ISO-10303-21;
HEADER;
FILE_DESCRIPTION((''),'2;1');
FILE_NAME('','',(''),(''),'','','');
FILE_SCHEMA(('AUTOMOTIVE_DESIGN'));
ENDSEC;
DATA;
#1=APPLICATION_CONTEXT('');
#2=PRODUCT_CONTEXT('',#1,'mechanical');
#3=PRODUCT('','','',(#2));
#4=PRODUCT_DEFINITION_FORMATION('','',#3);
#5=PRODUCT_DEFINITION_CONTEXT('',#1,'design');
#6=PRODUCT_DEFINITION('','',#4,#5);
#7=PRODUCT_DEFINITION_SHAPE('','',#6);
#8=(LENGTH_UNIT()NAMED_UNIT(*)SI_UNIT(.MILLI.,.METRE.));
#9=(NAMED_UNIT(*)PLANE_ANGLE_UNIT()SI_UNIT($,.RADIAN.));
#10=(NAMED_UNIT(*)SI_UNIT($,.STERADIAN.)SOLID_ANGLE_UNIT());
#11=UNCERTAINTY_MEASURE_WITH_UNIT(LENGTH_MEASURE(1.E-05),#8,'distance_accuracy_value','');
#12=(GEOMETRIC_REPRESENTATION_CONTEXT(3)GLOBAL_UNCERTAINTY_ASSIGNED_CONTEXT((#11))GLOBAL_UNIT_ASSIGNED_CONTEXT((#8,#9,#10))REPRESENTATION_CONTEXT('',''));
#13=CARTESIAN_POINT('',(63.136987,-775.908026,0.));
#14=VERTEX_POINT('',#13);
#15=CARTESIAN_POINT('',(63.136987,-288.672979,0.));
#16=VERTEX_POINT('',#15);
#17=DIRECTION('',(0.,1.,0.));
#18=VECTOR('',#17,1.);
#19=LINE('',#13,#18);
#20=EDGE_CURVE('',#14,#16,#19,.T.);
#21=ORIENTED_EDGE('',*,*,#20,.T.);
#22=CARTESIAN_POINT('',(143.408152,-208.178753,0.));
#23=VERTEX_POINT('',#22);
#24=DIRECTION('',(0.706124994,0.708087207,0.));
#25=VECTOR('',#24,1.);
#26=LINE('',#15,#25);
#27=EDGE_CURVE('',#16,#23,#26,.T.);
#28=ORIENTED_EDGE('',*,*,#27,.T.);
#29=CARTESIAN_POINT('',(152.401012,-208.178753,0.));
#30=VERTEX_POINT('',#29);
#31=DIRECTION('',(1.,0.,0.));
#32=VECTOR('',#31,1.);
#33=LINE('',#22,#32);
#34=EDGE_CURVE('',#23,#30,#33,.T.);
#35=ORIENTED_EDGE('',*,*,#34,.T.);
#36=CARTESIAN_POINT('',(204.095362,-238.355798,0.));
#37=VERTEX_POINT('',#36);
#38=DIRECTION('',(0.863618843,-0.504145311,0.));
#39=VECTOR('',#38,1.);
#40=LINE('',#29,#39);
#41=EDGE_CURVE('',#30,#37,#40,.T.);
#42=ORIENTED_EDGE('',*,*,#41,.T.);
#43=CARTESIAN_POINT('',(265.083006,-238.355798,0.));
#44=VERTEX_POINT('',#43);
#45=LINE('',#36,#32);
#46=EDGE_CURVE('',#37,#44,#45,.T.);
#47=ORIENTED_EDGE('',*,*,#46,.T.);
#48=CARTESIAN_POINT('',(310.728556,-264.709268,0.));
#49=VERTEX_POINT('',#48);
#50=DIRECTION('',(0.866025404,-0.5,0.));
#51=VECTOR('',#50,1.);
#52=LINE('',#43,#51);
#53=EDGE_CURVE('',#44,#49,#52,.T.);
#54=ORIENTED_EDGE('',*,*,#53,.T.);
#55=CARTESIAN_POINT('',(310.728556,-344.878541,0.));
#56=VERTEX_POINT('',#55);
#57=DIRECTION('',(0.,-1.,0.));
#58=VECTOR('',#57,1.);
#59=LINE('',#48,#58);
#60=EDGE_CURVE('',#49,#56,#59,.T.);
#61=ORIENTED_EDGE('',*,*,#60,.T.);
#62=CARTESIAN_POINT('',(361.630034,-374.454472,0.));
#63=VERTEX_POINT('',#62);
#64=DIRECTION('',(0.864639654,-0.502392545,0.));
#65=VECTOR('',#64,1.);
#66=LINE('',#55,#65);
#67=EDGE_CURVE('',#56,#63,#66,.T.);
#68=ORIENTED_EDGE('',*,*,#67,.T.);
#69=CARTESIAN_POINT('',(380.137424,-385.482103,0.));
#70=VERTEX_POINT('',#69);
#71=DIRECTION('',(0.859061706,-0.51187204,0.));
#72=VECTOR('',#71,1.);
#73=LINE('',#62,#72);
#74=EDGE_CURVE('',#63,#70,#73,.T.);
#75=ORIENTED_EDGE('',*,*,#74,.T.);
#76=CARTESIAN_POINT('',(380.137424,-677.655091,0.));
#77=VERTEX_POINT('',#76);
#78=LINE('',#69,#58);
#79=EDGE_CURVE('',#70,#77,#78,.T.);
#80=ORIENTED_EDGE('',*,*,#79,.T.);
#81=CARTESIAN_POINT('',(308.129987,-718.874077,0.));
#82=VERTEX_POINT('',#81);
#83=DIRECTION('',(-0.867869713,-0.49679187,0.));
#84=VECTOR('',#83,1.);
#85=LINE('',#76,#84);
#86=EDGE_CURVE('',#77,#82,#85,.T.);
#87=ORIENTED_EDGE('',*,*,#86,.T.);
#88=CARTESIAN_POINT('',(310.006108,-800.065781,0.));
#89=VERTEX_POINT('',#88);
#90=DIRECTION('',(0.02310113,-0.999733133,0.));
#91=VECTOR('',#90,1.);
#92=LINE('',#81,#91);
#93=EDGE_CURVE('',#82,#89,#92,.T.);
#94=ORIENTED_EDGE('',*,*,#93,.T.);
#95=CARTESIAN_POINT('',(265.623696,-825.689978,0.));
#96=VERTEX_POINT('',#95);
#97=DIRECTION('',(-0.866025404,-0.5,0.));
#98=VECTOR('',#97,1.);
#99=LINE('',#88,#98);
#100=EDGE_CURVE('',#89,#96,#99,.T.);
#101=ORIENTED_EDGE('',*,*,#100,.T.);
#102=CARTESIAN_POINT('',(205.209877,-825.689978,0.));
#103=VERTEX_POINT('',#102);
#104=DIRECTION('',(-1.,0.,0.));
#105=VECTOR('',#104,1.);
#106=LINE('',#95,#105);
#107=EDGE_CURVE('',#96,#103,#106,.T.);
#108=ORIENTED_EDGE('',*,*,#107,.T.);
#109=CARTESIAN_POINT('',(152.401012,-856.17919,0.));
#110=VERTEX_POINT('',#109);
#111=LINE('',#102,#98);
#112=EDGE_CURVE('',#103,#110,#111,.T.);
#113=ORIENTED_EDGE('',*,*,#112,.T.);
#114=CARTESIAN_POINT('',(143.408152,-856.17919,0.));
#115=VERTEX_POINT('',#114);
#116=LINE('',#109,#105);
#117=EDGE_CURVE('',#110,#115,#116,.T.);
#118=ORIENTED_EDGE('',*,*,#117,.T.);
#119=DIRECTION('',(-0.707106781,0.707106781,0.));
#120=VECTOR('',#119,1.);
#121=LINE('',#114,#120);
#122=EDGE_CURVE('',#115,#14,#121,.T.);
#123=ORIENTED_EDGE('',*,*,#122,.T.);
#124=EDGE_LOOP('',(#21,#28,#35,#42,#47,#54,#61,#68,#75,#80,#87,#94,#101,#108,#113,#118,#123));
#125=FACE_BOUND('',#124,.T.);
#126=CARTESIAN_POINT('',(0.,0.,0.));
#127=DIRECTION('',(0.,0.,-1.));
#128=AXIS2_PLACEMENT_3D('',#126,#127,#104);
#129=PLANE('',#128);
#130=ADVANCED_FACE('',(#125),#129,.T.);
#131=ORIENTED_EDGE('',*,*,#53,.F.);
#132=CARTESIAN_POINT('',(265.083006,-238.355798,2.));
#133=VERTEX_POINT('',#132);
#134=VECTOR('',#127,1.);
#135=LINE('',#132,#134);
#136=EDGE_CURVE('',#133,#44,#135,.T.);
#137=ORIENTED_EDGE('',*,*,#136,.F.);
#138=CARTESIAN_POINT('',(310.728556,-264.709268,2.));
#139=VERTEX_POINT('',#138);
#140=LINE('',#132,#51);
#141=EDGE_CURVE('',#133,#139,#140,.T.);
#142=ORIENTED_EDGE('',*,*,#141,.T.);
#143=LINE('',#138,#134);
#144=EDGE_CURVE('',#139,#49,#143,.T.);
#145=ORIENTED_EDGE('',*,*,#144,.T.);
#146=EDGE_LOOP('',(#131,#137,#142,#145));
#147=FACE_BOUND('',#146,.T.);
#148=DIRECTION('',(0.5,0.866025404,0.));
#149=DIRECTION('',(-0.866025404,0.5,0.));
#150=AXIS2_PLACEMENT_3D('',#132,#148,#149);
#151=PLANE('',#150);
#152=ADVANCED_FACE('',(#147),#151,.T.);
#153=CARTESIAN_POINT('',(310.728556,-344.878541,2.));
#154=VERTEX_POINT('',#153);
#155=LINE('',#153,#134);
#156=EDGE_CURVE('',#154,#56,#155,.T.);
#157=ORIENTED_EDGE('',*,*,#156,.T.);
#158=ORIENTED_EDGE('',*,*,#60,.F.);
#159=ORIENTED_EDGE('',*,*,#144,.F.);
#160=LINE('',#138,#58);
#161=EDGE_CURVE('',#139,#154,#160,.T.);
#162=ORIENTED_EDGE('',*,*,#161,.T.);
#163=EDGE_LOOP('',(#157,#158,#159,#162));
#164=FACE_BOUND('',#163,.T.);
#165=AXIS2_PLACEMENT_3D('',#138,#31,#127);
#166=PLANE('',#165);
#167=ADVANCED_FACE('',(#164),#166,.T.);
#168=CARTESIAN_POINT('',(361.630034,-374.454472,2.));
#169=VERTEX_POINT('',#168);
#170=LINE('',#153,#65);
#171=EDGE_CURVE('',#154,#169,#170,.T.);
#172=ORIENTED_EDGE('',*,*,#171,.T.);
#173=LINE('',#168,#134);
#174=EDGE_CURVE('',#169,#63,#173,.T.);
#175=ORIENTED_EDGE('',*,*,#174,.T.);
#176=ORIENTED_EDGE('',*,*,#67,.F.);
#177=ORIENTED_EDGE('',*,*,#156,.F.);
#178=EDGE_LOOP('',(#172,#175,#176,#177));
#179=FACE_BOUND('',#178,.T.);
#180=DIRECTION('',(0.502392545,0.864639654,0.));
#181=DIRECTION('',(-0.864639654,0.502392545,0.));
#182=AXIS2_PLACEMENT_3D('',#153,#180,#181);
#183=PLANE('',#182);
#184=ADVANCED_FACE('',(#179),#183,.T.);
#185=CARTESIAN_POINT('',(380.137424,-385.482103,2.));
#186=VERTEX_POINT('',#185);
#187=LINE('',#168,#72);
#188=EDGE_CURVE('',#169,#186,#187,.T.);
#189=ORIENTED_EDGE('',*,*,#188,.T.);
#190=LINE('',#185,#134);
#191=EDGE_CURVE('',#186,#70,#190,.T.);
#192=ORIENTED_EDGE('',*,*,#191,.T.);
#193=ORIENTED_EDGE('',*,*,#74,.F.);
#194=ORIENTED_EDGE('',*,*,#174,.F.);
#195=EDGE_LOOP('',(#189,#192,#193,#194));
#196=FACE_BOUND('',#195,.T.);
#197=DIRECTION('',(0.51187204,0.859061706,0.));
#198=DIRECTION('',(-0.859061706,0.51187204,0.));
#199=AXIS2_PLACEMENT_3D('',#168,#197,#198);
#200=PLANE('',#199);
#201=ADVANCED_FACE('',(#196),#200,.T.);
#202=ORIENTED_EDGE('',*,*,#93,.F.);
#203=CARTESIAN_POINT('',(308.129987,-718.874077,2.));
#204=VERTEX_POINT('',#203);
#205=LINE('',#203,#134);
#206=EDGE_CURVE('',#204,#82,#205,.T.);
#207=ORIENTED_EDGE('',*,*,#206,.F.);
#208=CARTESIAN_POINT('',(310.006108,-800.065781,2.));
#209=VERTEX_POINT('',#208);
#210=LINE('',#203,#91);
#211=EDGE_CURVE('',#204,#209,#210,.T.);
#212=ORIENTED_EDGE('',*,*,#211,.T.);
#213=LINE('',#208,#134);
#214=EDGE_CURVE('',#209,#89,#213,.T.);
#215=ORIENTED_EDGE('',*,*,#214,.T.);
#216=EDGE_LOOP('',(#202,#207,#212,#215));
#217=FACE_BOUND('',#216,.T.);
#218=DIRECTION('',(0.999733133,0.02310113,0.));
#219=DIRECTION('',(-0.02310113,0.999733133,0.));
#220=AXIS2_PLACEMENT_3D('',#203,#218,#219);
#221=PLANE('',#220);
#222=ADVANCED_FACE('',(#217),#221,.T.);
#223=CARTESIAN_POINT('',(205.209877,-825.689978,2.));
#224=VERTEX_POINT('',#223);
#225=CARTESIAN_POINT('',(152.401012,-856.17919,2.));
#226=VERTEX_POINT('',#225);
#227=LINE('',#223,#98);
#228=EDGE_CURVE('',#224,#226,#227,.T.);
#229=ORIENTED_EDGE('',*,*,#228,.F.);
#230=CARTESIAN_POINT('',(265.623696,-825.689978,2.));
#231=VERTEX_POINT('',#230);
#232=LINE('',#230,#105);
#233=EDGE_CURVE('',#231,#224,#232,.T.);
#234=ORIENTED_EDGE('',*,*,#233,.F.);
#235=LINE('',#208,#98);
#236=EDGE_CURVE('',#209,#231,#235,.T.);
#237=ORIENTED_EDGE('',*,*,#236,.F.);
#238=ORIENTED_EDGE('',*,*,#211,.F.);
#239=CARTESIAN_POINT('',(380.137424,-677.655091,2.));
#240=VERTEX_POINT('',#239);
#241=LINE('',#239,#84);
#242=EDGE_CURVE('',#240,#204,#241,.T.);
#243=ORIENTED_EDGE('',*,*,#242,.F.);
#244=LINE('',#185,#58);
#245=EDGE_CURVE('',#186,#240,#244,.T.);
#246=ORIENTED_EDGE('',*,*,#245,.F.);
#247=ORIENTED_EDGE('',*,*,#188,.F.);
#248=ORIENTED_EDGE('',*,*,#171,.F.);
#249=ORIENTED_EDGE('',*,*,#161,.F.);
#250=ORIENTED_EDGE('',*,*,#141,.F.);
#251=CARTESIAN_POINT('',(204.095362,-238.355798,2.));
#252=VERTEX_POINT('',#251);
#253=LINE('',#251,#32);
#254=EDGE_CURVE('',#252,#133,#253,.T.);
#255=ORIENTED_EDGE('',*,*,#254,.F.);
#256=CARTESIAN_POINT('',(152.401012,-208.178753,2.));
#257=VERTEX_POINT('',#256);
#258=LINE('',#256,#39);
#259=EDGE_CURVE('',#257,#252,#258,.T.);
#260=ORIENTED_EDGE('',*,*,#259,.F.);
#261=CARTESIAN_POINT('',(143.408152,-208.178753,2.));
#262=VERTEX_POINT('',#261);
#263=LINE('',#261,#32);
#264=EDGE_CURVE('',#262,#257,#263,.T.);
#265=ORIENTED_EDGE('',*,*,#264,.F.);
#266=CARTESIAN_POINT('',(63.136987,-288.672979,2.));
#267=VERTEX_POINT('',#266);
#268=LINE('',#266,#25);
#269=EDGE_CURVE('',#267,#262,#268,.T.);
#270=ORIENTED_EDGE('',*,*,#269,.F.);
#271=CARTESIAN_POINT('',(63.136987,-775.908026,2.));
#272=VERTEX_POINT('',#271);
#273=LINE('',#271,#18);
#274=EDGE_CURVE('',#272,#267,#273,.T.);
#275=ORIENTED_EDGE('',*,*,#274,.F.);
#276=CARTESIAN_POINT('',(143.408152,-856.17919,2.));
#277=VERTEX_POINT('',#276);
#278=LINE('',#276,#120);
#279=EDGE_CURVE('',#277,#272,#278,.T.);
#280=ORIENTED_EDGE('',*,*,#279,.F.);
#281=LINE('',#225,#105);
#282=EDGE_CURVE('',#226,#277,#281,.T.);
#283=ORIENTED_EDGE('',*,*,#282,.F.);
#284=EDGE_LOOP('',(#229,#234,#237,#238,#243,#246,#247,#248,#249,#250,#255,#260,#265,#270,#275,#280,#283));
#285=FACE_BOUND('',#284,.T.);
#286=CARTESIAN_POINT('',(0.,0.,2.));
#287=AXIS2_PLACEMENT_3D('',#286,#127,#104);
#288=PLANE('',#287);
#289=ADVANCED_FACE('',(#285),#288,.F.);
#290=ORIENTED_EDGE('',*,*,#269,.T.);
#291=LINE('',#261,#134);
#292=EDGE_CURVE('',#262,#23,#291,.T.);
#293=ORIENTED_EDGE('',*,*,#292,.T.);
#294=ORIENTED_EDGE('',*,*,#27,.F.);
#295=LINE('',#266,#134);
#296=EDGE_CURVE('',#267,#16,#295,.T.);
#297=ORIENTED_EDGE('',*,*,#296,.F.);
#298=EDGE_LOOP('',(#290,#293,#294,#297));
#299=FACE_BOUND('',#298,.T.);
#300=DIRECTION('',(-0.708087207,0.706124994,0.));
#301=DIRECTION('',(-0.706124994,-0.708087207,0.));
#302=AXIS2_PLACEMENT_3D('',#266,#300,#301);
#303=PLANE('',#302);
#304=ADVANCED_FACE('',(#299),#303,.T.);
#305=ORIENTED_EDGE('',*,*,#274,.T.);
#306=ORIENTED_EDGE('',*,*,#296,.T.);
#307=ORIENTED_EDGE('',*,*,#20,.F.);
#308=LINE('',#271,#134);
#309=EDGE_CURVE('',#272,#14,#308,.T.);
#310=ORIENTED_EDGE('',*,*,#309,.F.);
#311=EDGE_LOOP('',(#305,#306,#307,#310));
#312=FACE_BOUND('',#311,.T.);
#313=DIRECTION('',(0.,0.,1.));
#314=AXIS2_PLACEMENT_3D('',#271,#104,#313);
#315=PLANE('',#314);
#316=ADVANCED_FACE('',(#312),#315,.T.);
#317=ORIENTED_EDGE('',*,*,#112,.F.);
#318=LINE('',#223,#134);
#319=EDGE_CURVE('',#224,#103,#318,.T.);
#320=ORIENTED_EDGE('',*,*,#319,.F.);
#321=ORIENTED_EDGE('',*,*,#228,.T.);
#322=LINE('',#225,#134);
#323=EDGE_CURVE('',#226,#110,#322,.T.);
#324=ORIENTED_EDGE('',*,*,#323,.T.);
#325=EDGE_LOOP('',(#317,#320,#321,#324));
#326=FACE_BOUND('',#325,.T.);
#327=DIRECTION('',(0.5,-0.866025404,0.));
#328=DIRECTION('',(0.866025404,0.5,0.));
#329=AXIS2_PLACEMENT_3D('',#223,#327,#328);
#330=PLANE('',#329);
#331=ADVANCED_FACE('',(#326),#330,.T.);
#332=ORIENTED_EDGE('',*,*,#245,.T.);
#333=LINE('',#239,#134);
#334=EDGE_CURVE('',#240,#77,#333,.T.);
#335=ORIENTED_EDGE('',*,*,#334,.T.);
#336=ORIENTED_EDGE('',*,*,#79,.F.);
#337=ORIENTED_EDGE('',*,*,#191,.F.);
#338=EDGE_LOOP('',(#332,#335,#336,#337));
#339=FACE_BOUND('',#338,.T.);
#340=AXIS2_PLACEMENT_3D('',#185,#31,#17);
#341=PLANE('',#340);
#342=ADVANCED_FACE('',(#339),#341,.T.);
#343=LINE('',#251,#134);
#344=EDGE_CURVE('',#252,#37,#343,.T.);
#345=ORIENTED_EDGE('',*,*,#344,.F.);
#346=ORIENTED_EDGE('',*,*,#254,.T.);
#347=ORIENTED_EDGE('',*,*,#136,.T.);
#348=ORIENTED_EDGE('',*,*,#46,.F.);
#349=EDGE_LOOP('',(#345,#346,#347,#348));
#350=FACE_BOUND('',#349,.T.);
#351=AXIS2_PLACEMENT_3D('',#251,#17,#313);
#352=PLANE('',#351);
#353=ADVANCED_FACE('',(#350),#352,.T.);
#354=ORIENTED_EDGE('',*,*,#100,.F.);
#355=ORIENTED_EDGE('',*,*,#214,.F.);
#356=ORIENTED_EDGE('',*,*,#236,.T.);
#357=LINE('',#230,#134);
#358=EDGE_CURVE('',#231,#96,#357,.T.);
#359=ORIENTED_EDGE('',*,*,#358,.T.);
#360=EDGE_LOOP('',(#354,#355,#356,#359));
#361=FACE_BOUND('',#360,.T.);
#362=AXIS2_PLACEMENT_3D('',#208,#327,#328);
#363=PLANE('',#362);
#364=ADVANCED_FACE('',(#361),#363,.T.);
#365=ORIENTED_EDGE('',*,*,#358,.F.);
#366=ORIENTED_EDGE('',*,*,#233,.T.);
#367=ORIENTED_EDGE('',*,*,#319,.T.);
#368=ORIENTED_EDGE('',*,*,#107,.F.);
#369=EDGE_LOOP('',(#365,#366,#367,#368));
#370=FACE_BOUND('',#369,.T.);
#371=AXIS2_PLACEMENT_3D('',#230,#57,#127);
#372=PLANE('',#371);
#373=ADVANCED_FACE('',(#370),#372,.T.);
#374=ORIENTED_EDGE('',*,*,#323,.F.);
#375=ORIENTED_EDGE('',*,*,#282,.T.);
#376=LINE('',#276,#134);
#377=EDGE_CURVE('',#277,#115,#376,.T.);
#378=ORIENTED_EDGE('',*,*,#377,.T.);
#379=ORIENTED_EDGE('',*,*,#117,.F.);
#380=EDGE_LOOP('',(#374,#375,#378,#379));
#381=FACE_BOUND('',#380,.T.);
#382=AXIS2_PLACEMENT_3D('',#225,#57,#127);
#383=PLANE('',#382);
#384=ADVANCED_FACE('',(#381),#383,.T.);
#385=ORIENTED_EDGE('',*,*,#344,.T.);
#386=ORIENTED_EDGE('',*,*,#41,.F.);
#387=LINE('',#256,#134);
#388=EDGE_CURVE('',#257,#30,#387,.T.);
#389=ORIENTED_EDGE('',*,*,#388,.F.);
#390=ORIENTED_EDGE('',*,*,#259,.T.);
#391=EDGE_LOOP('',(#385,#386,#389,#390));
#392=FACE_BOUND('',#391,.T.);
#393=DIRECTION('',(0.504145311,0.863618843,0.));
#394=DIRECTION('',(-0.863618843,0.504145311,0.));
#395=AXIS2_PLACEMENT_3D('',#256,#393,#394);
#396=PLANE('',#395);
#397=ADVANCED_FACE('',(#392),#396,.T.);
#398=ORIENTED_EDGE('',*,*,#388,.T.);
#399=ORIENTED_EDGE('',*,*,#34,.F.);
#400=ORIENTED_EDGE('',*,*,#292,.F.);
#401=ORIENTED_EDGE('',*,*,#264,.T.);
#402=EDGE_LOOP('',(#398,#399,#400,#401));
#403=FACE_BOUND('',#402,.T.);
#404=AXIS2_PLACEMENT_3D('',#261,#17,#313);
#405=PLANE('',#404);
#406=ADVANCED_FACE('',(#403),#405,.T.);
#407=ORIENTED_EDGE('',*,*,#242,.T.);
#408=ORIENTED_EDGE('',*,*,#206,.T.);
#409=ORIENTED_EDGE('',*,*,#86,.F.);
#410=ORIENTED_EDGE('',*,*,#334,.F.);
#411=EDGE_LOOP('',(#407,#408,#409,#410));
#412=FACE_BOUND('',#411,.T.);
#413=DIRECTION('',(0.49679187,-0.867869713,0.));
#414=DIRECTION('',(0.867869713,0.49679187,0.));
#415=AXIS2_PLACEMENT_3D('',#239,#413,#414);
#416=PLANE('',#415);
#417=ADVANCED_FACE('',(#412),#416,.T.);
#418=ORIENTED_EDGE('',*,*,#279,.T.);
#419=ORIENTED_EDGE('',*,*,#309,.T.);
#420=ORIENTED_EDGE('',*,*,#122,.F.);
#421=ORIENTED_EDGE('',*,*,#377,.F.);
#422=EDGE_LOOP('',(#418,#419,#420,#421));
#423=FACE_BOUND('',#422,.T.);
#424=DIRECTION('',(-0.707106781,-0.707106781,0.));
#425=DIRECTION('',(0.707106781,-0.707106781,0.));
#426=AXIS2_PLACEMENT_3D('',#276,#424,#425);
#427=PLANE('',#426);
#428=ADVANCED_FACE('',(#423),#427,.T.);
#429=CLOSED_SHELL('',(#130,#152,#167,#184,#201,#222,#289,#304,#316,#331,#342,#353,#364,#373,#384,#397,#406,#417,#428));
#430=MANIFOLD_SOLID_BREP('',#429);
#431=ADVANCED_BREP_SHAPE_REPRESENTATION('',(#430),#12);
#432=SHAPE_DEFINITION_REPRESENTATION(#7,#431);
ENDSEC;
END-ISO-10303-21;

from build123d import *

# Parameters (mm, degrees)
BOSS_EXTRUDE1_DEPTH = 2


with BuildPart() as part:
    # Sketch1 → Boss-Extrude1 (new body)
    with BuildSketch(Plane.XY):
        Polygon((361.630033999, -374.454471748), (380.137424167, -385.482102825), (380.137424167, -677.655091144), (308.129986991, -718.87407691), (310.006107747, -800.065781327), (265.623696466, -825.689978427), (205.209876552, -825.689978427), (152.401012428, -856.179190345), (143.408151905, -856.179190345), (63.136987148, -775.908025588), (63.136987148, -288.672979409), (143.408151905, -208.178753325), (152.401012428, -208.178753325), (204.095362303, -238.355797614), (265.083006274, -238.355797614), (310.72855649, -264.709268319), (310.72855649, -344.878540631), align=None)
    extrude(amount=BOSS_EXTRUDE1_DEPTH)


solid = part.part
